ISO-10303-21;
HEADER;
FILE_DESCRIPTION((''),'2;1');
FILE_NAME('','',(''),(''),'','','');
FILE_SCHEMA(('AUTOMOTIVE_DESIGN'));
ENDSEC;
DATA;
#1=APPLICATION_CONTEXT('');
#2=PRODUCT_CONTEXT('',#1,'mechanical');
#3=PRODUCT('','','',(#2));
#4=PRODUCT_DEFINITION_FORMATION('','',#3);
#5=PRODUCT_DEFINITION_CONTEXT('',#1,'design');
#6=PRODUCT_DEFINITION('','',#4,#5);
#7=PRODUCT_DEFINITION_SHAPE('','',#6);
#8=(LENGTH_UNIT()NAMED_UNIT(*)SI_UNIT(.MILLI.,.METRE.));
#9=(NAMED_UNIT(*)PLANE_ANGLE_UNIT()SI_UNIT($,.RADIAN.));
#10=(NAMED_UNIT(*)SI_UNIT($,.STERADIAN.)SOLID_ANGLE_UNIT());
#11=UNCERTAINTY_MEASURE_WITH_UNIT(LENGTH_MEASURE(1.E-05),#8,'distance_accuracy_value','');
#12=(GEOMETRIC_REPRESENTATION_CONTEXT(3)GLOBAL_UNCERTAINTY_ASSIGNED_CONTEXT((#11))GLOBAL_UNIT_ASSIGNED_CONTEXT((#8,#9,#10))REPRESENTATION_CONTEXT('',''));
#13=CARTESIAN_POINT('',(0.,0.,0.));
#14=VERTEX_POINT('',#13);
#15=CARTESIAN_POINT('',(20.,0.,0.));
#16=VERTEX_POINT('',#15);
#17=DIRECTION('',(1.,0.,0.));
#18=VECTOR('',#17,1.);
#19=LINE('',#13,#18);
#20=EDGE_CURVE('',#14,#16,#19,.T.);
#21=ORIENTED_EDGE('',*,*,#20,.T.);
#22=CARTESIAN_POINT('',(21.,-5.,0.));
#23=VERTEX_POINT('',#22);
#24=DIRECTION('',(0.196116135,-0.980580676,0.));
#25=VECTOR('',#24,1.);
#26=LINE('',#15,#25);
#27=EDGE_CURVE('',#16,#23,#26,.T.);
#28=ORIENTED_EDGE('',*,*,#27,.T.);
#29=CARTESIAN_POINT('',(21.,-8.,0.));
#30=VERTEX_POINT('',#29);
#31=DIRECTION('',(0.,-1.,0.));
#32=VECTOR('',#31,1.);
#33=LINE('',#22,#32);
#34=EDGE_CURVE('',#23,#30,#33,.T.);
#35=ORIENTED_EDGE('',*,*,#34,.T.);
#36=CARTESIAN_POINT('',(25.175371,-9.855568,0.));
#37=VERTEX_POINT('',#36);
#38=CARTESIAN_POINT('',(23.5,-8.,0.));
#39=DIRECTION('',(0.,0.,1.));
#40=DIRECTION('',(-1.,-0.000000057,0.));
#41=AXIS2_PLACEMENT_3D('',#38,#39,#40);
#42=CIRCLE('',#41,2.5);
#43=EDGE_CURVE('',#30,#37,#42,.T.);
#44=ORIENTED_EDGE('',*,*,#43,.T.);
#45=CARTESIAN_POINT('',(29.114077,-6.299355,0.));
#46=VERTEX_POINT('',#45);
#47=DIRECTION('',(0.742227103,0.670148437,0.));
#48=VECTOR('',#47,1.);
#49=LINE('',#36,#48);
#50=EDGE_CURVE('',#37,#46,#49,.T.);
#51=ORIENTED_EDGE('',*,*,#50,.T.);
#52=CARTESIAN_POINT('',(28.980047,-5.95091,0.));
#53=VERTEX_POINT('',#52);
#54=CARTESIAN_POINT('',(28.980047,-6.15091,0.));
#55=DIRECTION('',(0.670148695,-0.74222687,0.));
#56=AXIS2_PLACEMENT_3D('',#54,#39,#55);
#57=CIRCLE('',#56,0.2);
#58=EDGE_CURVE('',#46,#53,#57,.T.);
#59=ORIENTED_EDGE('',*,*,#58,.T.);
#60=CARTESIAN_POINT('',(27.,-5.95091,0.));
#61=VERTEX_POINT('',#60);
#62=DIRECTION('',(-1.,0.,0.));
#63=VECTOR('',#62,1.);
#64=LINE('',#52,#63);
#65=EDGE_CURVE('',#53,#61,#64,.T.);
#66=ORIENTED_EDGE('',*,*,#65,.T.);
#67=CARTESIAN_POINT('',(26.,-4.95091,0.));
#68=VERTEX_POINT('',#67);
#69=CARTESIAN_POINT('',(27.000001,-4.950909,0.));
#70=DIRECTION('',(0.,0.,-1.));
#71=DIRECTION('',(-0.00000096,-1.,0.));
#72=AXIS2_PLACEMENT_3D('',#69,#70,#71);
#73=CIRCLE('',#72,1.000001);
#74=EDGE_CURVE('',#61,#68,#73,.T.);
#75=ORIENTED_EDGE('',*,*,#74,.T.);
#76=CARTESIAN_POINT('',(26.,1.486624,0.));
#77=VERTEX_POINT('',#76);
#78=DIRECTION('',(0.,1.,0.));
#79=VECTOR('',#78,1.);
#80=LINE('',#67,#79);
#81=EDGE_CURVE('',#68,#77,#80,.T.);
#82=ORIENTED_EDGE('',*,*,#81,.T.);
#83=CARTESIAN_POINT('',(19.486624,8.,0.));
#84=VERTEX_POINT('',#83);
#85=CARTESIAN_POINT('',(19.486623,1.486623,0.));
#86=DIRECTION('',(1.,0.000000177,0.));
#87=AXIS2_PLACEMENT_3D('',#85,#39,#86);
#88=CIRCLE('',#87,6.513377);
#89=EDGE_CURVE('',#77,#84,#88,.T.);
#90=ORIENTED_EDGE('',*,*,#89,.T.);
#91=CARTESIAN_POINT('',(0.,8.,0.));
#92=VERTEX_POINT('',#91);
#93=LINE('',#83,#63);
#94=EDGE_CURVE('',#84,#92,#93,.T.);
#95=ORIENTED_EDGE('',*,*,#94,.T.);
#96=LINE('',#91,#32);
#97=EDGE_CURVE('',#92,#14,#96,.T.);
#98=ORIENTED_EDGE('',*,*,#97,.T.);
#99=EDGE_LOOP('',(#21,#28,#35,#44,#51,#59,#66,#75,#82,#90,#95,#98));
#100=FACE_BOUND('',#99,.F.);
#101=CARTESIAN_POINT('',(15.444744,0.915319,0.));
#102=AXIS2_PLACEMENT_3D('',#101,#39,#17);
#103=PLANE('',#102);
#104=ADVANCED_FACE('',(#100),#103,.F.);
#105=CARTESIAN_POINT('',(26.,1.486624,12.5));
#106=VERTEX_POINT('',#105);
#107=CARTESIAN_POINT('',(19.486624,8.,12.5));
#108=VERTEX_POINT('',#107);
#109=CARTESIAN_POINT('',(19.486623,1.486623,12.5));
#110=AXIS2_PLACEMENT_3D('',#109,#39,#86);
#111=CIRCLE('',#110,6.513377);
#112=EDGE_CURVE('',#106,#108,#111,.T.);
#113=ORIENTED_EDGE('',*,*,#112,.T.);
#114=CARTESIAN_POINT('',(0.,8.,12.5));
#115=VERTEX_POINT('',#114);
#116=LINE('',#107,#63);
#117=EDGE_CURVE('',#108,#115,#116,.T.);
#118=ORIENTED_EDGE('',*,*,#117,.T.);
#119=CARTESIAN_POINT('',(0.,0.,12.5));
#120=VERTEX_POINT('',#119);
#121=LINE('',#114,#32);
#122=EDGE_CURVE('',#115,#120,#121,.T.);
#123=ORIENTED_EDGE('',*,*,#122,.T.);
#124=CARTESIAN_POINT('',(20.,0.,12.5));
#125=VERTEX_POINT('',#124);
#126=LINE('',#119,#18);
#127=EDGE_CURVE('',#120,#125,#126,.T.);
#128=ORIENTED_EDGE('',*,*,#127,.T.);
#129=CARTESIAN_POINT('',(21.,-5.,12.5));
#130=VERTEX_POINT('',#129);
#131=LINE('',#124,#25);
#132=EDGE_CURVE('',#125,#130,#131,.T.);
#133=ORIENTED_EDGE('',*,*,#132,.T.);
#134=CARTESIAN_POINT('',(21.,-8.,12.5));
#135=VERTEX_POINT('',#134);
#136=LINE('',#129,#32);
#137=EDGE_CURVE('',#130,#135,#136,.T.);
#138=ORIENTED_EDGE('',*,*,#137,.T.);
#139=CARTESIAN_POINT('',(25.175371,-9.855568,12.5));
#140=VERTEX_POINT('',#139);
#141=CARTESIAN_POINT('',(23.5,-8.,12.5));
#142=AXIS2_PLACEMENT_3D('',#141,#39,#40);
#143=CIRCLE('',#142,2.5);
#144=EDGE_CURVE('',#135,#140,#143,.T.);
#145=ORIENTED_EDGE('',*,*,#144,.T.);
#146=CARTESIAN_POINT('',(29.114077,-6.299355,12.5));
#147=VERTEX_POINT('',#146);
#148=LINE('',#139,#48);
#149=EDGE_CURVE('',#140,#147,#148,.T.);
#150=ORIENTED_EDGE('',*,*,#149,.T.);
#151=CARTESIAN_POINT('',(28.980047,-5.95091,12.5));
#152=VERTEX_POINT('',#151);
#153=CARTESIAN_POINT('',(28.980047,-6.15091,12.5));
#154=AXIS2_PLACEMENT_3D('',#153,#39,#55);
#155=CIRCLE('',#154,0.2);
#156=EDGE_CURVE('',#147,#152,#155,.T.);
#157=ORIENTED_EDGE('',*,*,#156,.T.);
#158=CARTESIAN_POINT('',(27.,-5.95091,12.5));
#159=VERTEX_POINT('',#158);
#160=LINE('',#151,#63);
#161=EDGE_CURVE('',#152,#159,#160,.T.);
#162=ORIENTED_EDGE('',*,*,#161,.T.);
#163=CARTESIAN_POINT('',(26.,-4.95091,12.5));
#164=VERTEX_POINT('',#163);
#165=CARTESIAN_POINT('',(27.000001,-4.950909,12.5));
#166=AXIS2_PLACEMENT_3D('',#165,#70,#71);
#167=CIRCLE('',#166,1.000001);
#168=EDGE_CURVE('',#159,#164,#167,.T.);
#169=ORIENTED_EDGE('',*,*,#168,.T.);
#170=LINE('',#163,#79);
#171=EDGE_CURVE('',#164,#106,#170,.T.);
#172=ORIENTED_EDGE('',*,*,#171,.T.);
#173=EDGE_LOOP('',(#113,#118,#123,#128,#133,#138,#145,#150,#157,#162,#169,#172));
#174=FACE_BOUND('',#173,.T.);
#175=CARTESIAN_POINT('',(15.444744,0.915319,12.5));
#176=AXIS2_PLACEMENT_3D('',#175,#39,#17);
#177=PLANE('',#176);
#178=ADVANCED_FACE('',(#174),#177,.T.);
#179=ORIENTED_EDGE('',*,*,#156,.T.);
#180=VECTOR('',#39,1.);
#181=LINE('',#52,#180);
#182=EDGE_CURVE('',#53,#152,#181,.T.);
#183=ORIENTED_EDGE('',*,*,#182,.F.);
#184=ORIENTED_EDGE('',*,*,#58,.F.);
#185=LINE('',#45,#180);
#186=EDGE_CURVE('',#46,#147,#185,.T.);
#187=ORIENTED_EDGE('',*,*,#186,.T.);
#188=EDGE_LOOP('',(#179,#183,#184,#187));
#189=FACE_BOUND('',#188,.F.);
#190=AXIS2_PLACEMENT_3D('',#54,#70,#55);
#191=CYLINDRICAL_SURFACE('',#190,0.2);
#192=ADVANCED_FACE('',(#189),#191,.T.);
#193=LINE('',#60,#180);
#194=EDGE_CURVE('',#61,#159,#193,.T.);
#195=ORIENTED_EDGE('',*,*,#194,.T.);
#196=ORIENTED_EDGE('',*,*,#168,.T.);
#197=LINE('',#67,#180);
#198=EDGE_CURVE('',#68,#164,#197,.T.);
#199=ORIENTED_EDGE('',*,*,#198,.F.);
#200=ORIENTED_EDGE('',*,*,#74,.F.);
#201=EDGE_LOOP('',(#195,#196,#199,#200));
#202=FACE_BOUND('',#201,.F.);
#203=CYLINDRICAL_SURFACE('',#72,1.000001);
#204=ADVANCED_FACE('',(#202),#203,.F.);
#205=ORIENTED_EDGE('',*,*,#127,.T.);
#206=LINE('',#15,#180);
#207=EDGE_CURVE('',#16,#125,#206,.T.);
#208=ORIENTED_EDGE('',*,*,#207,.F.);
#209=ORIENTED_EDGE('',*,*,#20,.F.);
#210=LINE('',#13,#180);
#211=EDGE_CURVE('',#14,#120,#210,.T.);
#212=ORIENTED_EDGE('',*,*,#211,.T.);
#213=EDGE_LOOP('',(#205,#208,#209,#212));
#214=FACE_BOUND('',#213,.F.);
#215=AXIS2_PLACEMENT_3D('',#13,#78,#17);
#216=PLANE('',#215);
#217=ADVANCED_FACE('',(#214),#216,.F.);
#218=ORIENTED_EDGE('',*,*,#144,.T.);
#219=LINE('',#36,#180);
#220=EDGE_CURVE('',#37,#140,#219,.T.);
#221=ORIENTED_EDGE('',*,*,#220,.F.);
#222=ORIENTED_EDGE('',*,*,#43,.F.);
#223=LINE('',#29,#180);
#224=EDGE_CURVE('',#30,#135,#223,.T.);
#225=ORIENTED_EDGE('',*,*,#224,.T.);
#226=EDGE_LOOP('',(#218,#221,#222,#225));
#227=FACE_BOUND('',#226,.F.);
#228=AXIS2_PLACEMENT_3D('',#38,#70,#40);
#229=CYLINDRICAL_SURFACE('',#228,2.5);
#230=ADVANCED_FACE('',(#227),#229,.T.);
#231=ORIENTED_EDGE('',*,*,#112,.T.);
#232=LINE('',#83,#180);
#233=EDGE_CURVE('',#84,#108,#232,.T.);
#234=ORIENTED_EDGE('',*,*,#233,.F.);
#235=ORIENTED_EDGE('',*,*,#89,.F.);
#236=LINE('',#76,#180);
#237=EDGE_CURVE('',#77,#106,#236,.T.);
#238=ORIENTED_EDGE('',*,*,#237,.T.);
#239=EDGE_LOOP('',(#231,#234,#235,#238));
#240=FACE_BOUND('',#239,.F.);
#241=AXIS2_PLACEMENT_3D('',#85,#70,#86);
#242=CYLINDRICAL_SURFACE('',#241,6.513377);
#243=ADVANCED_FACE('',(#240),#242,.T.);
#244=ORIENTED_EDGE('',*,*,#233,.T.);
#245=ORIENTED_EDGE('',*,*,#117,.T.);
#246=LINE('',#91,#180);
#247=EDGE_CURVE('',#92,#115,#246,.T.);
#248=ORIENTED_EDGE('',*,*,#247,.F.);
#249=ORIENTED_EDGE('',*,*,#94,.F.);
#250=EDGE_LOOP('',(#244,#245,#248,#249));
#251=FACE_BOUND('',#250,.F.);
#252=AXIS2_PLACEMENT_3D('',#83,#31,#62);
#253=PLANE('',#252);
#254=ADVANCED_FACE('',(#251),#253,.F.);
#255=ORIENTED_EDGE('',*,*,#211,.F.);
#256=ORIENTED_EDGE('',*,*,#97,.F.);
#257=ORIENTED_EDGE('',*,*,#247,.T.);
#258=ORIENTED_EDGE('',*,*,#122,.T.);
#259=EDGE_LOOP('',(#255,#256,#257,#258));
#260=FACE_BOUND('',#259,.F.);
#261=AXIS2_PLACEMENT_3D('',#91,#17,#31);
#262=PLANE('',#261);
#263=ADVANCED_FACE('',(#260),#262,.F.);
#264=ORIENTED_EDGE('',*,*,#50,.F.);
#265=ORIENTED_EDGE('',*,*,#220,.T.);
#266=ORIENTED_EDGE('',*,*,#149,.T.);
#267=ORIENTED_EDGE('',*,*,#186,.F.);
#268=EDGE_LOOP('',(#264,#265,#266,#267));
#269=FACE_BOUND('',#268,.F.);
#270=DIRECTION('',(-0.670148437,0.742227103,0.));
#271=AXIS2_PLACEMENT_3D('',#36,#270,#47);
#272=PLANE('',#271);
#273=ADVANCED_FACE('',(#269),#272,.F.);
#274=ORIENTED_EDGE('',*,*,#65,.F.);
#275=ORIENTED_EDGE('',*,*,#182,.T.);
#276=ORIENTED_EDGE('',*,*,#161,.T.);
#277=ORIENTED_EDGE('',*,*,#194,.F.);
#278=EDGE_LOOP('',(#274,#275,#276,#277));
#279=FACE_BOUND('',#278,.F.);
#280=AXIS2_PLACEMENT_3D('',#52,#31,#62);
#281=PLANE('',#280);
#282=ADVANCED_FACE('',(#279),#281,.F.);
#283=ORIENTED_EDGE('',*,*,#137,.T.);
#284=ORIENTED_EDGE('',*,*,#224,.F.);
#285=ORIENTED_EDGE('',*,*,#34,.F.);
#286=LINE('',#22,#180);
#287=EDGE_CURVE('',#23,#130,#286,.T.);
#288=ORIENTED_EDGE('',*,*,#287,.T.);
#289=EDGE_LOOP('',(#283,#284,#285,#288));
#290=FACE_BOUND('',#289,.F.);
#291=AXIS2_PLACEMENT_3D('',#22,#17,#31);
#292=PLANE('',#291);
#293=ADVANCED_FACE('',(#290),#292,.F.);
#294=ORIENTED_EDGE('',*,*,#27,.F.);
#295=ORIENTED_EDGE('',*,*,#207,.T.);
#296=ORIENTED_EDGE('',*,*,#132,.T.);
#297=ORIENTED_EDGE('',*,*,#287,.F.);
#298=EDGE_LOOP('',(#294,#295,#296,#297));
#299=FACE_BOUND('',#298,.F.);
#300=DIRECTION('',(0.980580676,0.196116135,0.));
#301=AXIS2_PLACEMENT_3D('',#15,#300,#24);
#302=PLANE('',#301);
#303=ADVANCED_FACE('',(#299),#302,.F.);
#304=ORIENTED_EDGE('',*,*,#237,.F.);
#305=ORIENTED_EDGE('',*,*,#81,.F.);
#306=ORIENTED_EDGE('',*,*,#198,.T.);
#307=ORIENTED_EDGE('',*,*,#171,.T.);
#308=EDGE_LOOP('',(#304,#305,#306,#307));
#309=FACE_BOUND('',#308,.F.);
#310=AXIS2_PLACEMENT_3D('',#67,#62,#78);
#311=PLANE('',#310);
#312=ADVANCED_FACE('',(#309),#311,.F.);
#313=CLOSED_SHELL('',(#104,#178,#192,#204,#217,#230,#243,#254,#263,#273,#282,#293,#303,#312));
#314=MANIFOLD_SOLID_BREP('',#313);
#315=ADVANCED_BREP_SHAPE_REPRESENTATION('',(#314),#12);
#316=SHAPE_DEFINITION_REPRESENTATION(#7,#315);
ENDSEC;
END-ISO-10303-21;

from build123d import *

# Parameters (mm, degrees)
F1_DEPTH = 12.5


with BuildPart() as f1:
    # F0 (on Top) → F1 (new body)
    with BuildSketch(Plane.XY):
        with BuildLine():
            Line((0, 8), (0, 0))
            Line((0, 0), (20, 0))
            Line((20, 0), (21, -5))
            Line((21, -5), (21, -8))
            ThreePointArc((21, -8), (22.484724, -10.28456), (25.175371, -9.855568))
            Line((25.175371, -9.855568), (29.114077, -6.299355))
            ThreePointArc((29.114077, -6.299355), (29.166714, -6.079108), (28.980047, -5.95091))
            Line((28.980047, -5.95091), (27, -5.95091))
            ThreePointArc((27, -5.95091), (26.292893, -5.658016), (26, -4.95091))
            Line((26, -4.95091), (26, 1.486624))
            ThreePointArc((26, 1.486624), (24.092276, 6.092276), (19.486624, 8))
            Line((19.486624, 8), (0, 8))
        make_face()
    extrude(amount=F1_DEPTH)


solid = f1.part
